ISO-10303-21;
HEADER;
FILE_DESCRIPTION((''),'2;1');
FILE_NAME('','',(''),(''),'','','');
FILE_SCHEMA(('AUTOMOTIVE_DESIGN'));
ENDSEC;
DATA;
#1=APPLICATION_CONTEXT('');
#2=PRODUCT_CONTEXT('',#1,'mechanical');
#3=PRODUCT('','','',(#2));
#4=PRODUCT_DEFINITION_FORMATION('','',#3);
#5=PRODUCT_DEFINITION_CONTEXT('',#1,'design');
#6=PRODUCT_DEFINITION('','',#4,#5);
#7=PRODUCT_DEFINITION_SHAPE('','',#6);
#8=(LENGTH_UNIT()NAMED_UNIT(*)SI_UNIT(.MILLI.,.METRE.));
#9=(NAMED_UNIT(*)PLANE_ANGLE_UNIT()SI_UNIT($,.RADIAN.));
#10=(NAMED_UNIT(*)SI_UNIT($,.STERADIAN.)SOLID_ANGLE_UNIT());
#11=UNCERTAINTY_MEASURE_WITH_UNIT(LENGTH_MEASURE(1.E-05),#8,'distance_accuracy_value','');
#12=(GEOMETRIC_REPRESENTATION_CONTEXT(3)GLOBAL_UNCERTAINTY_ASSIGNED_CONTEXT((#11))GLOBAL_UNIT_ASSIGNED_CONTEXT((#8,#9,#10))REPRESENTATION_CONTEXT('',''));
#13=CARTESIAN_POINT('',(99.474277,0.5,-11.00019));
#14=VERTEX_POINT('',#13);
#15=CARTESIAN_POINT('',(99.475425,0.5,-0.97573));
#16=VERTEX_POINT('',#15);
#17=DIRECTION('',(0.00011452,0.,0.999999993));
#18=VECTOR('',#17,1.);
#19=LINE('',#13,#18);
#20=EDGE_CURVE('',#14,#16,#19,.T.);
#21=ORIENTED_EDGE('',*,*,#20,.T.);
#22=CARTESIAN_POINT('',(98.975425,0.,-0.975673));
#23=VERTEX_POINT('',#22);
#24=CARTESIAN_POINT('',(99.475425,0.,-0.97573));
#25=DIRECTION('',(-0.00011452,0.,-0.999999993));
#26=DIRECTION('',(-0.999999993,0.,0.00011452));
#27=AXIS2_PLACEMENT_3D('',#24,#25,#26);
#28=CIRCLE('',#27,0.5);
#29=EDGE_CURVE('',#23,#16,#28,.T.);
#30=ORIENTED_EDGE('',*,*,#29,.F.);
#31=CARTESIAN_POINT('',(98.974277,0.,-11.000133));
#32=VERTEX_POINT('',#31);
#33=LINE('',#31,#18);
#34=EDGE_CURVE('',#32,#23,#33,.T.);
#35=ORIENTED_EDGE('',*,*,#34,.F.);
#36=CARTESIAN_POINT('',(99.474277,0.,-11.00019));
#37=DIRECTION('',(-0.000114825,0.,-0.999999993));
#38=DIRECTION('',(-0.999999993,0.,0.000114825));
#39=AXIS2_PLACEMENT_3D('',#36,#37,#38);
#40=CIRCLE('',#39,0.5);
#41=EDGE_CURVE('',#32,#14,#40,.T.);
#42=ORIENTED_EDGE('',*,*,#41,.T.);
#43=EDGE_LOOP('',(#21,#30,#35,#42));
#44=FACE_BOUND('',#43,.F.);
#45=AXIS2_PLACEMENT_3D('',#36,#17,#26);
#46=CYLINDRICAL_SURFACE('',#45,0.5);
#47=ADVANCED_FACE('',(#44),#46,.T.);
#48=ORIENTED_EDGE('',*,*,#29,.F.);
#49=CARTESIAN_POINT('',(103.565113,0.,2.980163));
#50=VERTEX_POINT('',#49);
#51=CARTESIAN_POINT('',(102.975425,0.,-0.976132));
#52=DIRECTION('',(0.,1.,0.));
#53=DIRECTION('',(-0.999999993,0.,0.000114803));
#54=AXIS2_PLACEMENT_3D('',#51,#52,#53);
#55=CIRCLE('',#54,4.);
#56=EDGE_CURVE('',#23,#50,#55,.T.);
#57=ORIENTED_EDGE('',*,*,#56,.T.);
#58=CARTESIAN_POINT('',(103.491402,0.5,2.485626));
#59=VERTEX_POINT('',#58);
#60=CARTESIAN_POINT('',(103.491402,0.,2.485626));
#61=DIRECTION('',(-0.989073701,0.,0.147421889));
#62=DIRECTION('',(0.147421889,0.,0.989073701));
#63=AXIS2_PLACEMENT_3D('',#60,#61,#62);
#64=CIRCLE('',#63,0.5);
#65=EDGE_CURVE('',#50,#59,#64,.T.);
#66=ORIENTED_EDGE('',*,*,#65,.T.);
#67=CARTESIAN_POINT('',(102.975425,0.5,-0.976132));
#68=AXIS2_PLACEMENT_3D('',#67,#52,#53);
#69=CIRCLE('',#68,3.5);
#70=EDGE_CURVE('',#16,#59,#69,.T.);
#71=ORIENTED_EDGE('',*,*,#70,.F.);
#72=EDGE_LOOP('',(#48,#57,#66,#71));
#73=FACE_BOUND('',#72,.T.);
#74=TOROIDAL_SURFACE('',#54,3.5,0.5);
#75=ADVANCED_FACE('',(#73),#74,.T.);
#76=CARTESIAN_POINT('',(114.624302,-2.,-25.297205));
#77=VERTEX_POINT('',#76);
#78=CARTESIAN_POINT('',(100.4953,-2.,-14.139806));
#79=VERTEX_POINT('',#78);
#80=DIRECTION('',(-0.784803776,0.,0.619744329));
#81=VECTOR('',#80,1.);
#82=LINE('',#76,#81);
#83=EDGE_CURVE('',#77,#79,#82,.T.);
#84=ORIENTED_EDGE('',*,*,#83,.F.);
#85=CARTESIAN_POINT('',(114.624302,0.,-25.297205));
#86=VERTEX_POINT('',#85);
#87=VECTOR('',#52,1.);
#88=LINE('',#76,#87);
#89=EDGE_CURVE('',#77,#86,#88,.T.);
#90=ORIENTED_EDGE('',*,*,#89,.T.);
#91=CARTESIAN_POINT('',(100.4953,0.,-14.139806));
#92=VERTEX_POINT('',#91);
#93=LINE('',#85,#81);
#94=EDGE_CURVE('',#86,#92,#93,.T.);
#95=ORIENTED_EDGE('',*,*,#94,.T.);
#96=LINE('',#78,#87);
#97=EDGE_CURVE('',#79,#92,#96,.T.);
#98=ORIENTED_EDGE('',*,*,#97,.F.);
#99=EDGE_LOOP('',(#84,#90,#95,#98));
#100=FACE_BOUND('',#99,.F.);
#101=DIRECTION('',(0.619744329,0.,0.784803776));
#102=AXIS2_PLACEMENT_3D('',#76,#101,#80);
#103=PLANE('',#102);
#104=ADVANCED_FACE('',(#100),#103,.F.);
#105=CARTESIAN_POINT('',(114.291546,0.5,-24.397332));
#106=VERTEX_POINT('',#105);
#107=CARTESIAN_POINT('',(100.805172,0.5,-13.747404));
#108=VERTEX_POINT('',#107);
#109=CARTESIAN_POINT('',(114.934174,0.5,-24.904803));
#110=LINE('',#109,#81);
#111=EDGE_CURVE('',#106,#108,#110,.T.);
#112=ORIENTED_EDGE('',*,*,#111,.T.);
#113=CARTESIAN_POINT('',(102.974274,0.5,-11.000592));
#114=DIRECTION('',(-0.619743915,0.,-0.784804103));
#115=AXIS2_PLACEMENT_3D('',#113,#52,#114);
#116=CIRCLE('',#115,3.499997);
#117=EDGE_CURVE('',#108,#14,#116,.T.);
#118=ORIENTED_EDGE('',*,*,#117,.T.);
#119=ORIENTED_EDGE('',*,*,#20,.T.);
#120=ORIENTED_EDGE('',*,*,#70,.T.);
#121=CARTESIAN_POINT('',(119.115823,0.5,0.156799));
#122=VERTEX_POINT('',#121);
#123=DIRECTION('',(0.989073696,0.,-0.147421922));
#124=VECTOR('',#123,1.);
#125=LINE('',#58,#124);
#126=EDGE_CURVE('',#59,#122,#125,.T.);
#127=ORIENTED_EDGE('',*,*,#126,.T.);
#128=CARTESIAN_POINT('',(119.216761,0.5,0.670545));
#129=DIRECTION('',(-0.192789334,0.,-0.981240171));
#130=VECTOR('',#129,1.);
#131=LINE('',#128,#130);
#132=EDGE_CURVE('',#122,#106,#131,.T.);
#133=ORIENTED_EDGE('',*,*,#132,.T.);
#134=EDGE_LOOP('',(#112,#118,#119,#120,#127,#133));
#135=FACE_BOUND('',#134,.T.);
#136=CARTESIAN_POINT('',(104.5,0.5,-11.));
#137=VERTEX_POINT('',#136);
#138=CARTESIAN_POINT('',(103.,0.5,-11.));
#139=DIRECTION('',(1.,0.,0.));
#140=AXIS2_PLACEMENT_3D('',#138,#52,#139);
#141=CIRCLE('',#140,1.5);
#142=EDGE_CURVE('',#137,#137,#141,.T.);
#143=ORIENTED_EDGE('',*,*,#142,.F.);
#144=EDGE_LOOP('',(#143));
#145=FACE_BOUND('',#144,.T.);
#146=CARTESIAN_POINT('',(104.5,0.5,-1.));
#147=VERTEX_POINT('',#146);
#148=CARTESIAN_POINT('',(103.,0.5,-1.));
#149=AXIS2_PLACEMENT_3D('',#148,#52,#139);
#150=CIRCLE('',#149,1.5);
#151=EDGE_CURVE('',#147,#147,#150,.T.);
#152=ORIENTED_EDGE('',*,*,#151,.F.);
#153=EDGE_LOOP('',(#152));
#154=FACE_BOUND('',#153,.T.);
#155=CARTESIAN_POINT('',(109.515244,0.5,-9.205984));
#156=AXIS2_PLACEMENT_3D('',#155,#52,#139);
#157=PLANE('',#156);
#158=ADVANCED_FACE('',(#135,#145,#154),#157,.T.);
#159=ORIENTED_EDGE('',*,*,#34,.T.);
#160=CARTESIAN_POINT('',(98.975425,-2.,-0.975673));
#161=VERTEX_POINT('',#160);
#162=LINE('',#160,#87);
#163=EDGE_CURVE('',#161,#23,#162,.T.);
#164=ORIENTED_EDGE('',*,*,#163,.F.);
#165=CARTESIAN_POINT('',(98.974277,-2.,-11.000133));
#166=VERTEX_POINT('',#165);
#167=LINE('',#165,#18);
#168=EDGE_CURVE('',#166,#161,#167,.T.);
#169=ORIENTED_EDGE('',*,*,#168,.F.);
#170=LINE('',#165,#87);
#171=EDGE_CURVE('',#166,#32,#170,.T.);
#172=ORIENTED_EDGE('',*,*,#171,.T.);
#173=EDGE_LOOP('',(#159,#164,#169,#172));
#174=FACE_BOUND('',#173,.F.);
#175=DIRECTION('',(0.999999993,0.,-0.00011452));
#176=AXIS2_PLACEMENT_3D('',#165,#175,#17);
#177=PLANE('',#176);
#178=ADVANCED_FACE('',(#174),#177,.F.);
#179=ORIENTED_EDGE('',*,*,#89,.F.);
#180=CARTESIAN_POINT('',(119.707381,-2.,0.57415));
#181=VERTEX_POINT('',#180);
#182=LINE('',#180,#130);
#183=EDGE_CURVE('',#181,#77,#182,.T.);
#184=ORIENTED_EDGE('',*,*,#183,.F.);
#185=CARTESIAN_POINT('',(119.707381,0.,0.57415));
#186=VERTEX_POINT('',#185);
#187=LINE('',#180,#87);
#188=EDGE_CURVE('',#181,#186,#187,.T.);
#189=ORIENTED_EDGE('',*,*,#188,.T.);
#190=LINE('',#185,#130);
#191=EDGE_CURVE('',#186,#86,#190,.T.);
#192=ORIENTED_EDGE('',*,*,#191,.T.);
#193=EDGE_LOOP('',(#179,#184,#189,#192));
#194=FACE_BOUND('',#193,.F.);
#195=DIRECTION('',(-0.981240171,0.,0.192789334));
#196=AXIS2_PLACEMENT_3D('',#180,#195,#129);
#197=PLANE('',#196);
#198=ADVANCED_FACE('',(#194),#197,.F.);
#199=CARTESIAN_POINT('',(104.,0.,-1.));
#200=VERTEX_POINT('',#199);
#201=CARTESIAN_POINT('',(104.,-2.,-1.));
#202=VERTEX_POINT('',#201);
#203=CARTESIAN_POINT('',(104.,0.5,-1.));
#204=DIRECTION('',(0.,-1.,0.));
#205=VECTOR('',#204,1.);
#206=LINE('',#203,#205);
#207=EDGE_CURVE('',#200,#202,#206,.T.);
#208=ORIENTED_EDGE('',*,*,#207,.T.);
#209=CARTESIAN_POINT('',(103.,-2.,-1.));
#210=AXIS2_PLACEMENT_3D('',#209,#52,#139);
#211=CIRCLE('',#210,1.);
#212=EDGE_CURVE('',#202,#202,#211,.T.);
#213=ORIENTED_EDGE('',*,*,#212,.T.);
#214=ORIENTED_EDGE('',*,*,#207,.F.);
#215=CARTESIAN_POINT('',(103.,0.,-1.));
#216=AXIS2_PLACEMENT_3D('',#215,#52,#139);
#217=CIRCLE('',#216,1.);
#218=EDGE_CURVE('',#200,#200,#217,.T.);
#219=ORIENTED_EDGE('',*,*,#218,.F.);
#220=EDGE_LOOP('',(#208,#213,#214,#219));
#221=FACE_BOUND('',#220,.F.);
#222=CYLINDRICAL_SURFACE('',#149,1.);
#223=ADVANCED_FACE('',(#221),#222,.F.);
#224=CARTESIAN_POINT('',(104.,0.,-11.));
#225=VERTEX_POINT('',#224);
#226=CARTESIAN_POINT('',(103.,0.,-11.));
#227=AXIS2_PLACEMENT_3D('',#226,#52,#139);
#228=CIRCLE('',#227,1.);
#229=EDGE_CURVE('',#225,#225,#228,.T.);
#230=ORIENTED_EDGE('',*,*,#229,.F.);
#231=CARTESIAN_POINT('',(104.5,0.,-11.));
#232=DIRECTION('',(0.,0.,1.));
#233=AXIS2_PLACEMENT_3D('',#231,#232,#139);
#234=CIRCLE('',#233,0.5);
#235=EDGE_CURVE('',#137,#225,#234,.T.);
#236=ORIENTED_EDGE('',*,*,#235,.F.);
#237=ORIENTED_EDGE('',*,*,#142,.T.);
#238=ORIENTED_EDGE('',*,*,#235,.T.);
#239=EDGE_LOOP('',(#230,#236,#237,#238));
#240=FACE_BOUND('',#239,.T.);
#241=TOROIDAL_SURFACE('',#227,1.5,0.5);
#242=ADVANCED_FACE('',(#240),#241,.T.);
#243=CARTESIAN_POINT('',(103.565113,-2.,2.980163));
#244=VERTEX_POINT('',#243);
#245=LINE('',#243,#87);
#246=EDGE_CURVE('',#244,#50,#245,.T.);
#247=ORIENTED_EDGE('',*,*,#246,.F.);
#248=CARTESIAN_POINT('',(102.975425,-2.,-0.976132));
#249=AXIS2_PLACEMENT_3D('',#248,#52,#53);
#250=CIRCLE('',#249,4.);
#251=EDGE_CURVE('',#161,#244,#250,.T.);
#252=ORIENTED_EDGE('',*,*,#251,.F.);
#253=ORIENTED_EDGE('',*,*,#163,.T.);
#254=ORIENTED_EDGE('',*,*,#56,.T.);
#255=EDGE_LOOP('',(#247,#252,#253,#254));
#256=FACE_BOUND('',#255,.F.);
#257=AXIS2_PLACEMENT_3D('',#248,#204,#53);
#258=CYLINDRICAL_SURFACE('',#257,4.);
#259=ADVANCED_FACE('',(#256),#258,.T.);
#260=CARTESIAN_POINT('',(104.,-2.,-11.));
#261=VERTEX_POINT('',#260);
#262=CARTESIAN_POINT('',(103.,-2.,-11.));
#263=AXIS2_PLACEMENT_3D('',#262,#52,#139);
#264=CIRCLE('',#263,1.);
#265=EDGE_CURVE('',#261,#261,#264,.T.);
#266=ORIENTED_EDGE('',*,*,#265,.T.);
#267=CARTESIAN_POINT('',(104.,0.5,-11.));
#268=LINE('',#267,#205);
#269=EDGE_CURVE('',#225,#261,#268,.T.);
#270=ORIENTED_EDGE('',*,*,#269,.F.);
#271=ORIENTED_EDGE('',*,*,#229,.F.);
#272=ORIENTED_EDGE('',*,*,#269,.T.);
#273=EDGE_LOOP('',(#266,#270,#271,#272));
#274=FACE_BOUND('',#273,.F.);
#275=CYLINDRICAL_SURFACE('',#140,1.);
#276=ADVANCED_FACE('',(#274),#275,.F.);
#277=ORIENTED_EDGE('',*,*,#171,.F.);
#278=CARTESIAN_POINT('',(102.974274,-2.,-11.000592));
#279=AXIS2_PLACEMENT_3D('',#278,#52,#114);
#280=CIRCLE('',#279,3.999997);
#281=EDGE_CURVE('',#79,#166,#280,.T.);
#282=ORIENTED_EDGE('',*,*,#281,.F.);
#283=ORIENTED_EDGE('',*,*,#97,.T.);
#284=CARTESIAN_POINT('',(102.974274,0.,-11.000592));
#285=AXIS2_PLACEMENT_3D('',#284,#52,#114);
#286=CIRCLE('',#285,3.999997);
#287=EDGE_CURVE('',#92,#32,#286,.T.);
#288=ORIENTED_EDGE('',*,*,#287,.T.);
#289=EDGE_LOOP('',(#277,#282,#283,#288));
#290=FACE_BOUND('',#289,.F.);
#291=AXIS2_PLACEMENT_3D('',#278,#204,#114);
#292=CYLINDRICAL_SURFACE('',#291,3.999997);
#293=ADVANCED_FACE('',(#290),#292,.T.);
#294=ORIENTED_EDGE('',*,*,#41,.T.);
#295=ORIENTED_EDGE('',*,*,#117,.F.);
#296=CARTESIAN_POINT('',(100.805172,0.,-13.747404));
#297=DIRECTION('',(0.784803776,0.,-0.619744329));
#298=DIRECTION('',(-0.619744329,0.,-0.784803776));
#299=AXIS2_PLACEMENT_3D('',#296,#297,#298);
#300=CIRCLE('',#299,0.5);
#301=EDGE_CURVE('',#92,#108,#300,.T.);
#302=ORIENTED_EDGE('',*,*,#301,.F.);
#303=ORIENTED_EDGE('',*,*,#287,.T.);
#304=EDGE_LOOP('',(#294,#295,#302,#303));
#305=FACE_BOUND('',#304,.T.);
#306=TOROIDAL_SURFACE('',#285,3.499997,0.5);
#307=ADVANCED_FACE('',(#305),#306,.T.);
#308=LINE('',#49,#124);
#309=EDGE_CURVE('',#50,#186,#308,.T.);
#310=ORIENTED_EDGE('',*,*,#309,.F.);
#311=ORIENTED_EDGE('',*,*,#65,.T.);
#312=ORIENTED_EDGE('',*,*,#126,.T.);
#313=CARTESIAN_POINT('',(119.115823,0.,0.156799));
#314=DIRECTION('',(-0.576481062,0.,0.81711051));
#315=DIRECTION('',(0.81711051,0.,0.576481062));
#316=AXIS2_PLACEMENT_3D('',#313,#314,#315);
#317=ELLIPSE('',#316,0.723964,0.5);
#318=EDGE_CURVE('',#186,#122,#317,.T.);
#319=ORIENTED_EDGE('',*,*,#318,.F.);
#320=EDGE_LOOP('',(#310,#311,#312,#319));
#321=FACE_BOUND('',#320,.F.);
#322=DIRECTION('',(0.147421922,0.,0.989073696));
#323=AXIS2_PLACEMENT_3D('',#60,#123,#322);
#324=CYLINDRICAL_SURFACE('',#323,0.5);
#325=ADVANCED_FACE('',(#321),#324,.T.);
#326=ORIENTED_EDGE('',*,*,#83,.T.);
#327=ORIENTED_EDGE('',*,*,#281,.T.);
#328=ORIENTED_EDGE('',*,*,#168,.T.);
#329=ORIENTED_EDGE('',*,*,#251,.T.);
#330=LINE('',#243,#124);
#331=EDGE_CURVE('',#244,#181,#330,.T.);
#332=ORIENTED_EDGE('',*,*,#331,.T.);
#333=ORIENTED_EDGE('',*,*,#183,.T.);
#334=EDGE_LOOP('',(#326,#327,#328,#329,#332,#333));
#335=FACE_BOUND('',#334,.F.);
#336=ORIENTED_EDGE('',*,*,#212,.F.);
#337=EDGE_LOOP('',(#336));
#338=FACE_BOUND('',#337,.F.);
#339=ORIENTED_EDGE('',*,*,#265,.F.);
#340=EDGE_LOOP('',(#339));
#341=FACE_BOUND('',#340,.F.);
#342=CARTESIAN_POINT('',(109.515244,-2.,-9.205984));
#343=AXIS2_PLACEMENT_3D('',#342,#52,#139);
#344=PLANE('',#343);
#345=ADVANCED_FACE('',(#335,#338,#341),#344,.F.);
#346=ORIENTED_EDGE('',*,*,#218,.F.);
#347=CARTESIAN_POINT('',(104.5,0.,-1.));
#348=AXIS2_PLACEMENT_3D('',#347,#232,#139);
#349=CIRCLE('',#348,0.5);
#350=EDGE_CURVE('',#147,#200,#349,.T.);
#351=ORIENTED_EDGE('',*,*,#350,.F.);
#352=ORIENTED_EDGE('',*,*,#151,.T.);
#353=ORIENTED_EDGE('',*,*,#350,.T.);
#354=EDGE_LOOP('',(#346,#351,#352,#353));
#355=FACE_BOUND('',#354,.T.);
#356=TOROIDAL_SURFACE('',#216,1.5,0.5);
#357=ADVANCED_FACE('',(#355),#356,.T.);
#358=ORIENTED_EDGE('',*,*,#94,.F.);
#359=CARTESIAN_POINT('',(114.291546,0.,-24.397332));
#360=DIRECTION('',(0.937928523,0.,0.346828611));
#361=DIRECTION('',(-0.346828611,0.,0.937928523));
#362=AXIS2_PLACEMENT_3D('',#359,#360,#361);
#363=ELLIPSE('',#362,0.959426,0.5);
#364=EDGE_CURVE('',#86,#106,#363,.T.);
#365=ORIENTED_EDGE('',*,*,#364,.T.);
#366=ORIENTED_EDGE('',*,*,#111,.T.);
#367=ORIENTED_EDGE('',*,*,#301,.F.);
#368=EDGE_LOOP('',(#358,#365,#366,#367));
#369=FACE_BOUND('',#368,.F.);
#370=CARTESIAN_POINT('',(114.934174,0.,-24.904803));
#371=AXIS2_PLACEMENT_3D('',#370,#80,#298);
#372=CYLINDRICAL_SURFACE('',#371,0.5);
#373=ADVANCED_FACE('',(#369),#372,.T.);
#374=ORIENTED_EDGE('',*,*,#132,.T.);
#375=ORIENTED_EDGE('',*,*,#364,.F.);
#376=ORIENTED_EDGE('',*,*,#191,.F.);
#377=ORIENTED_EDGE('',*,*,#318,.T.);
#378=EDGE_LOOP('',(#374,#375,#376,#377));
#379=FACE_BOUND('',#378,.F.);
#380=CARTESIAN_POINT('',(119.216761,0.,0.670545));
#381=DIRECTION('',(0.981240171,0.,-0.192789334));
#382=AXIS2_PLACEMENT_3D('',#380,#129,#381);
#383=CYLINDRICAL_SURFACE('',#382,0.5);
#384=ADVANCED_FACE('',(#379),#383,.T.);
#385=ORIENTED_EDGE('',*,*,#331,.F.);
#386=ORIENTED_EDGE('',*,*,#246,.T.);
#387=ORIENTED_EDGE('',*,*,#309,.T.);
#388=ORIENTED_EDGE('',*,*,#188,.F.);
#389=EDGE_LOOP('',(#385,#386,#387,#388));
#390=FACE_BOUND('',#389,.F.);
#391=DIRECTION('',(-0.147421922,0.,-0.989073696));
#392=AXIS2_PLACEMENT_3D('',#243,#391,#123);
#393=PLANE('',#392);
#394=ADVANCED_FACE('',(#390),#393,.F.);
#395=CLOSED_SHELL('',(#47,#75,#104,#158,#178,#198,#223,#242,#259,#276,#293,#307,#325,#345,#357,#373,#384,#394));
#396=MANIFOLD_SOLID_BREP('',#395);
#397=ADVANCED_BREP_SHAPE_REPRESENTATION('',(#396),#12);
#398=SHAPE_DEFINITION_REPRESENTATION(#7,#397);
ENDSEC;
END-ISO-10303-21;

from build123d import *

# Parameters (mm, degrees)
PAD004_DEPTH    = 2.5
SKETCH011_R     = 1
POCKET002_DEPTH = 3
FILLET_R        = 0.5


with BuildPart() as part:
    # Sketch006 → Pad004 (new body)
    with BuildSketch(Plane(origin=(43, -2, 9), x_dir=(1, 0, 0), z_dir=(0, 1, 0))):
        with BuildLine():
            Line((71.624302, 34.297205), (57.4953, 23.139806))
            ThreePointArc((57.4953, 23.139806), (56.374461, 21.744531), (55.974277, 20.000133))
            Line((55.974277, 20.000133), (55.975425, 9.975673))
            ThreePointArc((55.975425, 9.975673), (57.363966, 6.946234), (60.565113, 6.019837))
            Line((60.565113, 6.019837), (76.707381, 8.42585))
            Line((76.707381, 8.42585), (71.624302, 34.297205))
        make_face()
    extrude(amount=PAD004_DEPTH)

    # Sketch011 → Pocket002 (cut)
    with BuildSketch(Plane(origin=(43, 0.5, 9), x_dir=(1, 0, 0), z_dir=(0, 1, 0))):
        with Locations((60, 20)):
            Circle(SKETCH011_R)
        with Locations((60, 10)):
            Circle(SKETCH011_R)
    extrude(amount=-POCKET002_DEPTH, mode=Mode.SUBTRACT)

    # Fillet
    fillet_edges = [part.edges().sort_by_distance(p)[0] for p in [
        (107.559801, 0.5, -19.718506),
        (117.165842, 0.5, -12.361528),
        (99.374461, 0.5, -12.744531),
        (111.636247, 0.5, 1.777156),
        (98.974851, 0.5, -5.987903),
        (100.363966, 0.5, 2.053766),
        (102, 0.5, -1),
        (102, 0.5, -11),
    ]]
    fillet(fillet_edges, radius=FILLET_R)


solid = part.part
